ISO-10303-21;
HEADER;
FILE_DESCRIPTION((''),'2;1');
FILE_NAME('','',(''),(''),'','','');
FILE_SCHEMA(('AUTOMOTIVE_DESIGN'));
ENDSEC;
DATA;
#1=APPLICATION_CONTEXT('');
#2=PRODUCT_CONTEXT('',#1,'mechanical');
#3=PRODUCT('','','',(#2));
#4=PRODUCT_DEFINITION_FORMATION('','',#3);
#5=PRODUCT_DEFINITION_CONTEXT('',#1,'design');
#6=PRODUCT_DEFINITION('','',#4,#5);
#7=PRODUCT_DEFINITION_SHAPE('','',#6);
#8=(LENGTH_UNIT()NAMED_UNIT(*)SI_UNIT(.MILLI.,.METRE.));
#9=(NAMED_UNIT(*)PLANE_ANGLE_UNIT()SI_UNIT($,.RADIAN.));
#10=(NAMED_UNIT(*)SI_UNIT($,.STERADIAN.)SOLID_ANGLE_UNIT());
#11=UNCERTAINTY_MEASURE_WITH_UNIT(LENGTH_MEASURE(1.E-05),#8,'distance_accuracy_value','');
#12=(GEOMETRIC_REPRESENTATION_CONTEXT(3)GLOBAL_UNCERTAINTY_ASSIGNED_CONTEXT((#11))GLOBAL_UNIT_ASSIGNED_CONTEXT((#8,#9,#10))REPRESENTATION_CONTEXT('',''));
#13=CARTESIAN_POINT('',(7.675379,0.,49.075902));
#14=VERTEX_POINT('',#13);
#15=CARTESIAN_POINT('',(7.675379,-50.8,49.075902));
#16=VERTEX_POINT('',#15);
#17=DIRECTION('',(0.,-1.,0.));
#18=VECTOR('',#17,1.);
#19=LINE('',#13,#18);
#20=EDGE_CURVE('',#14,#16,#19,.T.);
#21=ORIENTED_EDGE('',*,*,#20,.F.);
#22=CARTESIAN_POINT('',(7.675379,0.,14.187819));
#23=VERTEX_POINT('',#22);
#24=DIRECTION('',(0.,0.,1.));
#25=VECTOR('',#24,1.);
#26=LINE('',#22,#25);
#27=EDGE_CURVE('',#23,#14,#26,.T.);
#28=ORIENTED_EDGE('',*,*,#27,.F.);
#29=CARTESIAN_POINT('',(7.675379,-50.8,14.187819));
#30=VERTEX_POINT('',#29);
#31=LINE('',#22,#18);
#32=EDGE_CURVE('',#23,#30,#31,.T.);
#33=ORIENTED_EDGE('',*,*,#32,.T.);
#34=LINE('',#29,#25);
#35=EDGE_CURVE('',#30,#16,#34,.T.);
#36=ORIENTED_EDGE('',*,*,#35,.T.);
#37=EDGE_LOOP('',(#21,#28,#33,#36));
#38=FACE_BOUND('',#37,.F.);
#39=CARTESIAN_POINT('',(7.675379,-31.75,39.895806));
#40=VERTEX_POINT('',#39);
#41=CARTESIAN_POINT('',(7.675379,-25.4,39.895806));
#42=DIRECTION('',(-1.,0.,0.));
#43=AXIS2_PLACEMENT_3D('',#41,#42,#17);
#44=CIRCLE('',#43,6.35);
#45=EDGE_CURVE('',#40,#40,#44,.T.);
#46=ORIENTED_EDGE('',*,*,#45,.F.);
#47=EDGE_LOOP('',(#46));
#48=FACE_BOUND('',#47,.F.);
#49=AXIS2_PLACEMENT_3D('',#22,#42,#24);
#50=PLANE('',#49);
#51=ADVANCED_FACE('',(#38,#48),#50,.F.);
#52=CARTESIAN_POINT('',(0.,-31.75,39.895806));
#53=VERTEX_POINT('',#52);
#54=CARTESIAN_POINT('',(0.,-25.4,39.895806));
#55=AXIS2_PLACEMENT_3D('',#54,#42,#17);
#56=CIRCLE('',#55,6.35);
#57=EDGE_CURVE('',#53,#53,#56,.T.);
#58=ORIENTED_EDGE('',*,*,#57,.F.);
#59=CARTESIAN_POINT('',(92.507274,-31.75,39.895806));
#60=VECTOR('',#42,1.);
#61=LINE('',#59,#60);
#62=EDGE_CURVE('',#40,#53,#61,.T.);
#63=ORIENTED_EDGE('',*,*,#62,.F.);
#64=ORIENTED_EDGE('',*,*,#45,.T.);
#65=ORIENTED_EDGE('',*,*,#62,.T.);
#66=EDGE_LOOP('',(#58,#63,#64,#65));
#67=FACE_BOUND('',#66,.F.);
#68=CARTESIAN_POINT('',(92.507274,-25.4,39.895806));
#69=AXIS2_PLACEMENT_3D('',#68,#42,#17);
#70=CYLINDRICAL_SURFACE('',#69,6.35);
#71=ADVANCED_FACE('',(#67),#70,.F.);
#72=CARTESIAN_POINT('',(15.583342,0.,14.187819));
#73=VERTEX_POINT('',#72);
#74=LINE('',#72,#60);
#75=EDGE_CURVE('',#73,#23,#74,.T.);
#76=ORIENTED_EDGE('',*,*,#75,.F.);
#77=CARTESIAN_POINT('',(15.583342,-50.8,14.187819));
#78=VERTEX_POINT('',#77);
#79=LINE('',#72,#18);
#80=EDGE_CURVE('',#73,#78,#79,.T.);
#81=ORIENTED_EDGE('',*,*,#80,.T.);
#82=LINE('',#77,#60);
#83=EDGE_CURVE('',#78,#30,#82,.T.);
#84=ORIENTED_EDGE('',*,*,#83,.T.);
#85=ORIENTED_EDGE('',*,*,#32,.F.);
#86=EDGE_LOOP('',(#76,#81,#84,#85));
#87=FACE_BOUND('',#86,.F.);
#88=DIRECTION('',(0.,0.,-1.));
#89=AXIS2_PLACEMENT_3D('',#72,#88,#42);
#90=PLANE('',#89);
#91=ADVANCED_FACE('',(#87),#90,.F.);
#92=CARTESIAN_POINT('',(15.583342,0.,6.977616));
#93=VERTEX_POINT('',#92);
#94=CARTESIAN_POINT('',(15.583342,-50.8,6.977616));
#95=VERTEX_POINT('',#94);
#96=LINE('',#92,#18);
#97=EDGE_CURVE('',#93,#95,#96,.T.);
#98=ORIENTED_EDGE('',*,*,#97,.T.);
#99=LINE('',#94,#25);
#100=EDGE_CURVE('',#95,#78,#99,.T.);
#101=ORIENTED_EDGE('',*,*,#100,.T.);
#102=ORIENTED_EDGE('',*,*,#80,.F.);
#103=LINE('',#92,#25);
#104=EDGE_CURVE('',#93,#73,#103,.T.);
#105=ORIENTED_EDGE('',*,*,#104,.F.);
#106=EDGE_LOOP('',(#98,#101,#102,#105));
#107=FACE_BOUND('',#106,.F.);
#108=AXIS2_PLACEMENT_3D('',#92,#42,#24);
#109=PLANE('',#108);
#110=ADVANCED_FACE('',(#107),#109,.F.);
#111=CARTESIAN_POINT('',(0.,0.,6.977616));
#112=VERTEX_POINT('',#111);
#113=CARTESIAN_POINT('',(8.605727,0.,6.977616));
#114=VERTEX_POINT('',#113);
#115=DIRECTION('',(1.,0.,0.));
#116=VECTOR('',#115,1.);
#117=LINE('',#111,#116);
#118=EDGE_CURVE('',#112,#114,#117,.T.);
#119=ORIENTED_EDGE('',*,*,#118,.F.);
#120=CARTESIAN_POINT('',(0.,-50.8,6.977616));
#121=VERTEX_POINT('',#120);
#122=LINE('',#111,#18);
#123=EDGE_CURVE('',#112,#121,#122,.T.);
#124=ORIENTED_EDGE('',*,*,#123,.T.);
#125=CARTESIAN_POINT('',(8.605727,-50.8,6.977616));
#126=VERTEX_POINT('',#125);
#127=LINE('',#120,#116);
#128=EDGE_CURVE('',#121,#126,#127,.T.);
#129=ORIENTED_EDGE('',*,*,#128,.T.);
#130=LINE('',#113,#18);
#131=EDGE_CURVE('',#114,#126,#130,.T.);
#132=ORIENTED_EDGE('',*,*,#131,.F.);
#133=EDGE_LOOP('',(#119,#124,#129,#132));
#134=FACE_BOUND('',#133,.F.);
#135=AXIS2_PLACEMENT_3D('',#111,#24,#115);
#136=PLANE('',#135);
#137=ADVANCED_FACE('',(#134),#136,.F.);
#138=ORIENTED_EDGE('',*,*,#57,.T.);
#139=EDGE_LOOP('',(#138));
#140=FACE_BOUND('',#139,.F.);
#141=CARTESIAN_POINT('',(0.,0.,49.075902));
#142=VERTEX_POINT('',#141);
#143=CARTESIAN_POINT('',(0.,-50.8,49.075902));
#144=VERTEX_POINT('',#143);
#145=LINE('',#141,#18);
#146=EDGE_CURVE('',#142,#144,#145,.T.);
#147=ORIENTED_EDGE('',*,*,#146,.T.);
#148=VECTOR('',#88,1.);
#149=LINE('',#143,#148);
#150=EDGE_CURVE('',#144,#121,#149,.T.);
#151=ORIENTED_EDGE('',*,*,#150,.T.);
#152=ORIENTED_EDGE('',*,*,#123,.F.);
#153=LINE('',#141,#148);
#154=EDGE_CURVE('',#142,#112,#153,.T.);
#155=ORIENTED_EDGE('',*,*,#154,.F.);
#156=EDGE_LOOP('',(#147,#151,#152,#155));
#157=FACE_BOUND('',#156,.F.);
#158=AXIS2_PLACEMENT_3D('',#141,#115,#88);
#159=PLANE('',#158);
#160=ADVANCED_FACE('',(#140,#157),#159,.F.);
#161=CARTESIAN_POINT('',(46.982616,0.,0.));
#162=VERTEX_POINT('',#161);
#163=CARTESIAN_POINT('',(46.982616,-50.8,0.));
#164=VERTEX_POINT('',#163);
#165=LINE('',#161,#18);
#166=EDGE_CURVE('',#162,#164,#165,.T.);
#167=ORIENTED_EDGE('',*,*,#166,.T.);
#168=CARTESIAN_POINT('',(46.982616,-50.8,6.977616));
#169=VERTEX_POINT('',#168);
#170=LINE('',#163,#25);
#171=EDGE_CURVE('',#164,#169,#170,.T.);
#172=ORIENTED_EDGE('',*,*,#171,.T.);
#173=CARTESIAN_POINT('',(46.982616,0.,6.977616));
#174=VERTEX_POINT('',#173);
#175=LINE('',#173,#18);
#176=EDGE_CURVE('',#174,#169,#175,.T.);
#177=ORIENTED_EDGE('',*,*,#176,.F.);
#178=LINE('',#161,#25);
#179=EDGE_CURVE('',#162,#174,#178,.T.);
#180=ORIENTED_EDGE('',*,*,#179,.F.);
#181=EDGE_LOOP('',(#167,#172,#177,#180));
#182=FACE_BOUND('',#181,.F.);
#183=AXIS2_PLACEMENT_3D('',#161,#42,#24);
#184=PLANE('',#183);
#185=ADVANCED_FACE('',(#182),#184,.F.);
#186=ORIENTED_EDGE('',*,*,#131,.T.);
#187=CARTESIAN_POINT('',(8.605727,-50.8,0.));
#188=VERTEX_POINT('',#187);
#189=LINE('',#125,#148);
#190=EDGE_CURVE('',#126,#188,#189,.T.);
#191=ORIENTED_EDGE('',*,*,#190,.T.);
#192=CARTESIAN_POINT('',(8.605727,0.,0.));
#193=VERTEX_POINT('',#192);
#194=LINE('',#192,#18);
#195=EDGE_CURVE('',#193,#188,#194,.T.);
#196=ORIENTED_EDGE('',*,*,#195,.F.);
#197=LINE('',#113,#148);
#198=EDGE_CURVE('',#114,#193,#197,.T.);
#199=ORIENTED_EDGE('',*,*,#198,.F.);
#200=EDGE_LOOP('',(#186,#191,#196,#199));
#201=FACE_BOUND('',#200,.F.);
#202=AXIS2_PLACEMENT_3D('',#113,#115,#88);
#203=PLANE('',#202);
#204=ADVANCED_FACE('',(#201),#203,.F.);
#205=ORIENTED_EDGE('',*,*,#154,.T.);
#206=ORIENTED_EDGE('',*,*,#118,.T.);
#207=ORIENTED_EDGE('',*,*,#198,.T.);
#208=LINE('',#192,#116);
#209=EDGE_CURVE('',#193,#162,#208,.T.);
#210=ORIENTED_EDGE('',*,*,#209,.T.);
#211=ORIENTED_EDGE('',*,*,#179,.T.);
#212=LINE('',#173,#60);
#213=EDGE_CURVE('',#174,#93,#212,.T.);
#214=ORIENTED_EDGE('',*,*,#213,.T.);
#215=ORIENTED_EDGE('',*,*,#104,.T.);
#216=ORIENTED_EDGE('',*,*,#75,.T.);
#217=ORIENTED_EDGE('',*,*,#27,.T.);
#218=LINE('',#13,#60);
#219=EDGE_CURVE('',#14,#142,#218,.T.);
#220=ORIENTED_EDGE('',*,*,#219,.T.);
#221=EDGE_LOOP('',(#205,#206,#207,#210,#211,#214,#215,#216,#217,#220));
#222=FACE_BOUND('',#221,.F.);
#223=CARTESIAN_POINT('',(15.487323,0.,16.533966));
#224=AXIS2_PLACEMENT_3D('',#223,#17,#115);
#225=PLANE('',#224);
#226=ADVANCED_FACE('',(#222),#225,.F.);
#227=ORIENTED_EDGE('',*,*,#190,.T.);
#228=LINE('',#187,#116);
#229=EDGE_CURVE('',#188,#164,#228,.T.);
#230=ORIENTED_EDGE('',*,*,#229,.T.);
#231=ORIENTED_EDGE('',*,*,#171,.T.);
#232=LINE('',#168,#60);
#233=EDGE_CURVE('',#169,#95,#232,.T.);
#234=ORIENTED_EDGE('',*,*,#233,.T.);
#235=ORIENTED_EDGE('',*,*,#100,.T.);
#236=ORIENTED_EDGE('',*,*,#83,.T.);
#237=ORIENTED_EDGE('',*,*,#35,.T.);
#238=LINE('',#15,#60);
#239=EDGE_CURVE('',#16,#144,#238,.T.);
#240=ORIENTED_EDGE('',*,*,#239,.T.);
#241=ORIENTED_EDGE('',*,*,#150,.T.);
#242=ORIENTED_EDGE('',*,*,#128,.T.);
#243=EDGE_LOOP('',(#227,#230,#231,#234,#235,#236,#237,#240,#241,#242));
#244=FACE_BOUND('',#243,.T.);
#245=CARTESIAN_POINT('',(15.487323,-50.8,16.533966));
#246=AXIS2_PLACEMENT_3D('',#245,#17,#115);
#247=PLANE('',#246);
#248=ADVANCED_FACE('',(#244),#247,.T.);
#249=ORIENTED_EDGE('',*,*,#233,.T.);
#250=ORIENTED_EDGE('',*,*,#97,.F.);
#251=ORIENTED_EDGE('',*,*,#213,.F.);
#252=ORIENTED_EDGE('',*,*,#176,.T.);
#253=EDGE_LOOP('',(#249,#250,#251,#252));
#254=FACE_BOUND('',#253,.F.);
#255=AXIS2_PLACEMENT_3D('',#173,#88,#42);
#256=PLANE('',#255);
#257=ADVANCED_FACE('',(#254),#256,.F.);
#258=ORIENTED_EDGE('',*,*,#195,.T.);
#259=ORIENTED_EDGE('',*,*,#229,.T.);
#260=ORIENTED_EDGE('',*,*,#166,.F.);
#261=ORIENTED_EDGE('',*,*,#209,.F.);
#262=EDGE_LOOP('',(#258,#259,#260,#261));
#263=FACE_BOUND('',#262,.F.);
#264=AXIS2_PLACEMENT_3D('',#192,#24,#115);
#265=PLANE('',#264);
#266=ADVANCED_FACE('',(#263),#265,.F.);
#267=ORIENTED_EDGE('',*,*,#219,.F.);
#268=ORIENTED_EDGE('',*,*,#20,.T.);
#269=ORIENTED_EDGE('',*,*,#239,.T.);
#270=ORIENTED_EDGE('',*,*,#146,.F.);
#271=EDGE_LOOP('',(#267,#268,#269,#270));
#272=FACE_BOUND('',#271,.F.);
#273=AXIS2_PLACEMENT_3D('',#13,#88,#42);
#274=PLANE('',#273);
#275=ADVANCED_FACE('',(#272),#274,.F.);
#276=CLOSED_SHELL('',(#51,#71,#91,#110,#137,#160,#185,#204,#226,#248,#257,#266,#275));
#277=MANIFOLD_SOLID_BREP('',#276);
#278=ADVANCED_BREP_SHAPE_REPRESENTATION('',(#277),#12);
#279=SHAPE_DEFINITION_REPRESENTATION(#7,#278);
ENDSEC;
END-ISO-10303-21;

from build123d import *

# Parameters (mm, degrees)
F1_DEPTH = 50.8
F3_D     = 12.7


with BuildPart() as f1:
    # F0 (on Front) → F1 (new body)
    with BuildSketch(Plane.XZ):
        Polygon((7.675379, 49.075902), (0, 49.075902), (0, 6.977616), (8.605727, 6.977616), (8.605727, 0), (46.982616, 0), (46.982616, 6.977616), (15.583342, 6.977616), (15.583342, 14.187819), (7.675379, 14.187819), align=None)
    extrude(amount=F1_DEPTH)

    # F3 (through all)
    with Locations(Plane.YZ.offset(7.675379)):
        with Locations((-25.4, 39.895806)):
            Hole(F3_D / 2)


solid = f1.part
